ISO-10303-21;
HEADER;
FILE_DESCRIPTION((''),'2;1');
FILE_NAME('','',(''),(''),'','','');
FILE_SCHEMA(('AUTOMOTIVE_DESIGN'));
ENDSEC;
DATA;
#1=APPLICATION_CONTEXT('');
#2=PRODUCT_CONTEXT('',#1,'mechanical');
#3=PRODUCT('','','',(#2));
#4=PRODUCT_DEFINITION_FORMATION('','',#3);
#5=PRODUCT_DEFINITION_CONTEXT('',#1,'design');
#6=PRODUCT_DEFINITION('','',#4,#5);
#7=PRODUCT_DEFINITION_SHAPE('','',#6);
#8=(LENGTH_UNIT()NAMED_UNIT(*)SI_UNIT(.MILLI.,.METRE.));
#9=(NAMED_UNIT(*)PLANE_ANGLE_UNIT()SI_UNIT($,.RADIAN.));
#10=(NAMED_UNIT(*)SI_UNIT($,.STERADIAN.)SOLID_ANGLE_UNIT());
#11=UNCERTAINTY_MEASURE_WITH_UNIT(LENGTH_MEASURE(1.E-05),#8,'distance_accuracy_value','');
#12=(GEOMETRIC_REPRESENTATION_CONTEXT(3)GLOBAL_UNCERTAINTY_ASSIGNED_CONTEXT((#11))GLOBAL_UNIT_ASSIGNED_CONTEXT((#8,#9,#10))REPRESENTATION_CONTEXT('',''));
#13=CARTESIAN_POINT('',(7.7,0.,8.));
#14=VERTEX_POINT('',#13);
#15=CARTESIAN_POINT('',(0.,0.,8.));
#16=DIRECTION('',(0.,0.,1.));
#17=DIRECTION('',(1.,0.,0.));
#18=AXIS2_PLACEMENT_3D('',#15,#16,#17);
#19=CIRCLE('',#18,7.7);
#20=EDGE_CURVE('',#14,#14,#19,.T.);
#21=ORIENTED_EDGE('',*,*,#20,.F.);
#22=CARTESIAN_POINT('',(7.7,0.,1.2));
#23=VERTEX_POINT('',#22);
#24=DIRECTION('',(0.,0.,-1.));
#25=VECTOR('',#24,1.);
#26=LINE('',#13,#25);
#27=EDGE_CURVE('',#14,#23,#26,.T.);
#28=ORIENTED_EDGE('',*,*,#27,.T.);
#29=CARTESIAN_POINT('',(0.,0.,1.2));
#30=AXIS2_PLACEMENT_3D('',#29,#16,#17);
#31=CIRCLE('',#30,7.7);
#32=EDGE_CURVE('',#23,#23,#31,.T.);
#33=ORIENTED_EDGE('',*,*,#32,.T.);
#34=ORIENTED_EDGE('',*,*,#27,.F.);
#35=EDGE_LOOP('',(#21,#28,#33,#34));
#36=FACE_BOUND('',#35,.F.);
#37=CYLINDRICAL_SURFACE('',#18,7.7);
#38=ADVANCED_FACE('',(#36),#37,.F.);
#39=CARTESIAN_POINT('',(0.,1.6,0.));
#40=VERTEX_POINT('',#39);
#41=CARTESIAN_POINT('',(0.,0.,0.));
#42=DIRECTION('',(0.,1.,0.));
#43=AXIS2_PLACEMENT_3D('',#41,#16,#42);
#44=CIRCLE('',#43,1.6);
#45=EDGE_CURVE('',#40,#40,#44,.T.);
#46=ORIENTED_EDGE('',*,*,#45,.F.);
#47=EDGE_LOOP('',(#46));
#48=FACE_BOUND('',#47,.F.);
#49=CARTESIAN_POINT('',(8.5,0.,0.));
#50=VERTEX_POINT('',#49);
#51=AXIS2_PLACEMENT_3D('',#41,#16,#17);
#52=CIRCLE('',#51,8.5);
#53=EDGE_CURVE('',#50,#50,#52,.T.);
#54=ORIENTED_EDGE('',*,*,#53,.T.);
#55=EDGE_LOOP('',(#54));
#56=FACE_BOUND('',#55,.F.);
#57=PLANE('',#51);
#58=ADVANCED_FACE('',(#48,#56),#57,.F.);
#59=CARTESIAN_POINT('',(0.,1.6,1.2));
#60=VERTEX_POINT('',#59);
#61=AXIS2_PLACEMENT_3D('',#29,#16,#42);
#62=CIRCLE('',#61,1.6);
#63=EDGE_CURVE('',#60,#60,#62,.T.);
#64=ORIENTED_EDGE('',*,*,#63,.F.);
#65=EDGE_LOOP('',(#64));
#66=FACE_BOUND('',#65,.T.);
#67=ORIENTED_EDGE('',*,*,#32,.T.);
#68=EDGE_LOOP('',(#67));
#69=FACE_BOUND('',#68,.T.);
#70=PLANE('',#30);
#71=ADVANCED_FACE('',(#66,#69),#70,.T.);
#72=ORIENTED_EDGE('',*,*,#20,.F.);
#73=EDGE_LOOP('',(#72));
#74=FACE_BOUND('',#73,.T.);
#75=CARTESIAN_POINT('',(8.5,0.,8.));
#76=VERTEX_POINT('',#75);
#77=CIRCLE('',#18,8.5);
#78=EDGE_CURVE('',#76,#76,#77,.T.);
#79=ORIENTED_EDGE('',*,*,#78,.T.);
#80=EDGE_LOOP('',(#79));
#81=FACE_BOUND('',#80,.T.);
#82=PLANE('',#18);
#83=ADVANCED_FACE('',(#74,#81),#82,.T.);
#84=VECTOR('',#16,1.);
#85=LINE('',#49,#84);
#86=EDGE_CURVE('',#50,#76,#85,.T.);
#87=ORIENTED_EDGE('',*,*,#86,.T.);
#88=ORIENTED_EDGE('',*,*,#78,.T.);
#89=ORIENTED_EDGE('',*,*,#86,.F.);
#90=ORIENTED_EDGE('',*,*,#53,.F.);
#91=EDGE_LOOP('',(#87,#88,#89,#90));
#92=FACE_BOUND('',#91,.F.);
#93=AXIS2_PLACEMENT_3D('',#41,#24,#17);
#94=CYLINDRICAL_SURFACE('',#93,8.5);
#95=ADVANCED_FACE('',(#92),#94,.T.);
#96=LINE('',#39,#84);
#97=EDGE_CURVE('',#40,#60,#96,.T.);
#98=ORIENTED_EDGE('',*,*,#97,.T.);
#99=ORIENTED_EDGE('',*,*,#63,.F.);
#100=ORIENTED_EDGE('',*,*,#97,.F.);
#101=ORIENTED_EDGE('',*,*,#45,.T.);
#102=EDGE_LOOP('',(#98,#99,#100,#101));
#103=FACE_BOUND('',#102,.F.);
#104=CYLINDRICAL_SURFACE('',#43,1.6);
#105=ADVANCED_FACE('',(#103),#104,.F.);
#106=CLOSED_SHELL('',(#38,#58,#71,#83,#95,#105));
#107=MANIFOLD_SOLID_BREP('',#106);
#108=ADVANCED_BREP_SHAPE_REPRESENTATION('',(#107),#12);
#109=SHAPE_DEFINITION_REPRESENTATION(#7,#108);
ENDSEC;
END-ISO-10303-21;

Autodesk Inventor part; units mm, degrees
ref_plane "YZ Plane" through (0, 0, 0) normal (1, 0, 0) x (0, 1, 0)
ref_plane "XZ Plane" through (0, 0, 0) normal (0, 1, 0) x (-1, 0, 0)
ref_plane "XY Plane" through (0, 0, 0) normal (0, 0, 1) x (1, 0, 0)
sketch "Sketch1" plane through (0, 0, 0) normal (0, 0, 1) x (1, 0, 0)
  circle A0 centre (0, 0) radius 8.5
  dimension "d0" = 17
extrude "Extrusion1" add sketch "Sketch1" along normal blind 8
sketch "Sketch2" plane through (0, 0, 8) normal (0, 0, 1) x (1, 0, 0)
  circle A0 centre (0, 0) radius 7.7
  circle A1 centre (0, 0) radius 8.5 projected
  dimension "d3" = 0.8
extrude "Extrusion2" cut sketch "Sketch2" against normal blind 6.8 contours A0
sketch "Sketch3" plane through (0, 0, 0) normal (0, 0, -1) x (-1, 0, 0)
  point P0 (0, 0)
hole "Hole1" at (0, 0, 0) direction (0, 0, 1) diameter 3.2 end through all clearance for "Flat Head Machine Screw" size "M3" standard "Ansi Metric M Profile"
properties part number "SpoolSpringBushing"
